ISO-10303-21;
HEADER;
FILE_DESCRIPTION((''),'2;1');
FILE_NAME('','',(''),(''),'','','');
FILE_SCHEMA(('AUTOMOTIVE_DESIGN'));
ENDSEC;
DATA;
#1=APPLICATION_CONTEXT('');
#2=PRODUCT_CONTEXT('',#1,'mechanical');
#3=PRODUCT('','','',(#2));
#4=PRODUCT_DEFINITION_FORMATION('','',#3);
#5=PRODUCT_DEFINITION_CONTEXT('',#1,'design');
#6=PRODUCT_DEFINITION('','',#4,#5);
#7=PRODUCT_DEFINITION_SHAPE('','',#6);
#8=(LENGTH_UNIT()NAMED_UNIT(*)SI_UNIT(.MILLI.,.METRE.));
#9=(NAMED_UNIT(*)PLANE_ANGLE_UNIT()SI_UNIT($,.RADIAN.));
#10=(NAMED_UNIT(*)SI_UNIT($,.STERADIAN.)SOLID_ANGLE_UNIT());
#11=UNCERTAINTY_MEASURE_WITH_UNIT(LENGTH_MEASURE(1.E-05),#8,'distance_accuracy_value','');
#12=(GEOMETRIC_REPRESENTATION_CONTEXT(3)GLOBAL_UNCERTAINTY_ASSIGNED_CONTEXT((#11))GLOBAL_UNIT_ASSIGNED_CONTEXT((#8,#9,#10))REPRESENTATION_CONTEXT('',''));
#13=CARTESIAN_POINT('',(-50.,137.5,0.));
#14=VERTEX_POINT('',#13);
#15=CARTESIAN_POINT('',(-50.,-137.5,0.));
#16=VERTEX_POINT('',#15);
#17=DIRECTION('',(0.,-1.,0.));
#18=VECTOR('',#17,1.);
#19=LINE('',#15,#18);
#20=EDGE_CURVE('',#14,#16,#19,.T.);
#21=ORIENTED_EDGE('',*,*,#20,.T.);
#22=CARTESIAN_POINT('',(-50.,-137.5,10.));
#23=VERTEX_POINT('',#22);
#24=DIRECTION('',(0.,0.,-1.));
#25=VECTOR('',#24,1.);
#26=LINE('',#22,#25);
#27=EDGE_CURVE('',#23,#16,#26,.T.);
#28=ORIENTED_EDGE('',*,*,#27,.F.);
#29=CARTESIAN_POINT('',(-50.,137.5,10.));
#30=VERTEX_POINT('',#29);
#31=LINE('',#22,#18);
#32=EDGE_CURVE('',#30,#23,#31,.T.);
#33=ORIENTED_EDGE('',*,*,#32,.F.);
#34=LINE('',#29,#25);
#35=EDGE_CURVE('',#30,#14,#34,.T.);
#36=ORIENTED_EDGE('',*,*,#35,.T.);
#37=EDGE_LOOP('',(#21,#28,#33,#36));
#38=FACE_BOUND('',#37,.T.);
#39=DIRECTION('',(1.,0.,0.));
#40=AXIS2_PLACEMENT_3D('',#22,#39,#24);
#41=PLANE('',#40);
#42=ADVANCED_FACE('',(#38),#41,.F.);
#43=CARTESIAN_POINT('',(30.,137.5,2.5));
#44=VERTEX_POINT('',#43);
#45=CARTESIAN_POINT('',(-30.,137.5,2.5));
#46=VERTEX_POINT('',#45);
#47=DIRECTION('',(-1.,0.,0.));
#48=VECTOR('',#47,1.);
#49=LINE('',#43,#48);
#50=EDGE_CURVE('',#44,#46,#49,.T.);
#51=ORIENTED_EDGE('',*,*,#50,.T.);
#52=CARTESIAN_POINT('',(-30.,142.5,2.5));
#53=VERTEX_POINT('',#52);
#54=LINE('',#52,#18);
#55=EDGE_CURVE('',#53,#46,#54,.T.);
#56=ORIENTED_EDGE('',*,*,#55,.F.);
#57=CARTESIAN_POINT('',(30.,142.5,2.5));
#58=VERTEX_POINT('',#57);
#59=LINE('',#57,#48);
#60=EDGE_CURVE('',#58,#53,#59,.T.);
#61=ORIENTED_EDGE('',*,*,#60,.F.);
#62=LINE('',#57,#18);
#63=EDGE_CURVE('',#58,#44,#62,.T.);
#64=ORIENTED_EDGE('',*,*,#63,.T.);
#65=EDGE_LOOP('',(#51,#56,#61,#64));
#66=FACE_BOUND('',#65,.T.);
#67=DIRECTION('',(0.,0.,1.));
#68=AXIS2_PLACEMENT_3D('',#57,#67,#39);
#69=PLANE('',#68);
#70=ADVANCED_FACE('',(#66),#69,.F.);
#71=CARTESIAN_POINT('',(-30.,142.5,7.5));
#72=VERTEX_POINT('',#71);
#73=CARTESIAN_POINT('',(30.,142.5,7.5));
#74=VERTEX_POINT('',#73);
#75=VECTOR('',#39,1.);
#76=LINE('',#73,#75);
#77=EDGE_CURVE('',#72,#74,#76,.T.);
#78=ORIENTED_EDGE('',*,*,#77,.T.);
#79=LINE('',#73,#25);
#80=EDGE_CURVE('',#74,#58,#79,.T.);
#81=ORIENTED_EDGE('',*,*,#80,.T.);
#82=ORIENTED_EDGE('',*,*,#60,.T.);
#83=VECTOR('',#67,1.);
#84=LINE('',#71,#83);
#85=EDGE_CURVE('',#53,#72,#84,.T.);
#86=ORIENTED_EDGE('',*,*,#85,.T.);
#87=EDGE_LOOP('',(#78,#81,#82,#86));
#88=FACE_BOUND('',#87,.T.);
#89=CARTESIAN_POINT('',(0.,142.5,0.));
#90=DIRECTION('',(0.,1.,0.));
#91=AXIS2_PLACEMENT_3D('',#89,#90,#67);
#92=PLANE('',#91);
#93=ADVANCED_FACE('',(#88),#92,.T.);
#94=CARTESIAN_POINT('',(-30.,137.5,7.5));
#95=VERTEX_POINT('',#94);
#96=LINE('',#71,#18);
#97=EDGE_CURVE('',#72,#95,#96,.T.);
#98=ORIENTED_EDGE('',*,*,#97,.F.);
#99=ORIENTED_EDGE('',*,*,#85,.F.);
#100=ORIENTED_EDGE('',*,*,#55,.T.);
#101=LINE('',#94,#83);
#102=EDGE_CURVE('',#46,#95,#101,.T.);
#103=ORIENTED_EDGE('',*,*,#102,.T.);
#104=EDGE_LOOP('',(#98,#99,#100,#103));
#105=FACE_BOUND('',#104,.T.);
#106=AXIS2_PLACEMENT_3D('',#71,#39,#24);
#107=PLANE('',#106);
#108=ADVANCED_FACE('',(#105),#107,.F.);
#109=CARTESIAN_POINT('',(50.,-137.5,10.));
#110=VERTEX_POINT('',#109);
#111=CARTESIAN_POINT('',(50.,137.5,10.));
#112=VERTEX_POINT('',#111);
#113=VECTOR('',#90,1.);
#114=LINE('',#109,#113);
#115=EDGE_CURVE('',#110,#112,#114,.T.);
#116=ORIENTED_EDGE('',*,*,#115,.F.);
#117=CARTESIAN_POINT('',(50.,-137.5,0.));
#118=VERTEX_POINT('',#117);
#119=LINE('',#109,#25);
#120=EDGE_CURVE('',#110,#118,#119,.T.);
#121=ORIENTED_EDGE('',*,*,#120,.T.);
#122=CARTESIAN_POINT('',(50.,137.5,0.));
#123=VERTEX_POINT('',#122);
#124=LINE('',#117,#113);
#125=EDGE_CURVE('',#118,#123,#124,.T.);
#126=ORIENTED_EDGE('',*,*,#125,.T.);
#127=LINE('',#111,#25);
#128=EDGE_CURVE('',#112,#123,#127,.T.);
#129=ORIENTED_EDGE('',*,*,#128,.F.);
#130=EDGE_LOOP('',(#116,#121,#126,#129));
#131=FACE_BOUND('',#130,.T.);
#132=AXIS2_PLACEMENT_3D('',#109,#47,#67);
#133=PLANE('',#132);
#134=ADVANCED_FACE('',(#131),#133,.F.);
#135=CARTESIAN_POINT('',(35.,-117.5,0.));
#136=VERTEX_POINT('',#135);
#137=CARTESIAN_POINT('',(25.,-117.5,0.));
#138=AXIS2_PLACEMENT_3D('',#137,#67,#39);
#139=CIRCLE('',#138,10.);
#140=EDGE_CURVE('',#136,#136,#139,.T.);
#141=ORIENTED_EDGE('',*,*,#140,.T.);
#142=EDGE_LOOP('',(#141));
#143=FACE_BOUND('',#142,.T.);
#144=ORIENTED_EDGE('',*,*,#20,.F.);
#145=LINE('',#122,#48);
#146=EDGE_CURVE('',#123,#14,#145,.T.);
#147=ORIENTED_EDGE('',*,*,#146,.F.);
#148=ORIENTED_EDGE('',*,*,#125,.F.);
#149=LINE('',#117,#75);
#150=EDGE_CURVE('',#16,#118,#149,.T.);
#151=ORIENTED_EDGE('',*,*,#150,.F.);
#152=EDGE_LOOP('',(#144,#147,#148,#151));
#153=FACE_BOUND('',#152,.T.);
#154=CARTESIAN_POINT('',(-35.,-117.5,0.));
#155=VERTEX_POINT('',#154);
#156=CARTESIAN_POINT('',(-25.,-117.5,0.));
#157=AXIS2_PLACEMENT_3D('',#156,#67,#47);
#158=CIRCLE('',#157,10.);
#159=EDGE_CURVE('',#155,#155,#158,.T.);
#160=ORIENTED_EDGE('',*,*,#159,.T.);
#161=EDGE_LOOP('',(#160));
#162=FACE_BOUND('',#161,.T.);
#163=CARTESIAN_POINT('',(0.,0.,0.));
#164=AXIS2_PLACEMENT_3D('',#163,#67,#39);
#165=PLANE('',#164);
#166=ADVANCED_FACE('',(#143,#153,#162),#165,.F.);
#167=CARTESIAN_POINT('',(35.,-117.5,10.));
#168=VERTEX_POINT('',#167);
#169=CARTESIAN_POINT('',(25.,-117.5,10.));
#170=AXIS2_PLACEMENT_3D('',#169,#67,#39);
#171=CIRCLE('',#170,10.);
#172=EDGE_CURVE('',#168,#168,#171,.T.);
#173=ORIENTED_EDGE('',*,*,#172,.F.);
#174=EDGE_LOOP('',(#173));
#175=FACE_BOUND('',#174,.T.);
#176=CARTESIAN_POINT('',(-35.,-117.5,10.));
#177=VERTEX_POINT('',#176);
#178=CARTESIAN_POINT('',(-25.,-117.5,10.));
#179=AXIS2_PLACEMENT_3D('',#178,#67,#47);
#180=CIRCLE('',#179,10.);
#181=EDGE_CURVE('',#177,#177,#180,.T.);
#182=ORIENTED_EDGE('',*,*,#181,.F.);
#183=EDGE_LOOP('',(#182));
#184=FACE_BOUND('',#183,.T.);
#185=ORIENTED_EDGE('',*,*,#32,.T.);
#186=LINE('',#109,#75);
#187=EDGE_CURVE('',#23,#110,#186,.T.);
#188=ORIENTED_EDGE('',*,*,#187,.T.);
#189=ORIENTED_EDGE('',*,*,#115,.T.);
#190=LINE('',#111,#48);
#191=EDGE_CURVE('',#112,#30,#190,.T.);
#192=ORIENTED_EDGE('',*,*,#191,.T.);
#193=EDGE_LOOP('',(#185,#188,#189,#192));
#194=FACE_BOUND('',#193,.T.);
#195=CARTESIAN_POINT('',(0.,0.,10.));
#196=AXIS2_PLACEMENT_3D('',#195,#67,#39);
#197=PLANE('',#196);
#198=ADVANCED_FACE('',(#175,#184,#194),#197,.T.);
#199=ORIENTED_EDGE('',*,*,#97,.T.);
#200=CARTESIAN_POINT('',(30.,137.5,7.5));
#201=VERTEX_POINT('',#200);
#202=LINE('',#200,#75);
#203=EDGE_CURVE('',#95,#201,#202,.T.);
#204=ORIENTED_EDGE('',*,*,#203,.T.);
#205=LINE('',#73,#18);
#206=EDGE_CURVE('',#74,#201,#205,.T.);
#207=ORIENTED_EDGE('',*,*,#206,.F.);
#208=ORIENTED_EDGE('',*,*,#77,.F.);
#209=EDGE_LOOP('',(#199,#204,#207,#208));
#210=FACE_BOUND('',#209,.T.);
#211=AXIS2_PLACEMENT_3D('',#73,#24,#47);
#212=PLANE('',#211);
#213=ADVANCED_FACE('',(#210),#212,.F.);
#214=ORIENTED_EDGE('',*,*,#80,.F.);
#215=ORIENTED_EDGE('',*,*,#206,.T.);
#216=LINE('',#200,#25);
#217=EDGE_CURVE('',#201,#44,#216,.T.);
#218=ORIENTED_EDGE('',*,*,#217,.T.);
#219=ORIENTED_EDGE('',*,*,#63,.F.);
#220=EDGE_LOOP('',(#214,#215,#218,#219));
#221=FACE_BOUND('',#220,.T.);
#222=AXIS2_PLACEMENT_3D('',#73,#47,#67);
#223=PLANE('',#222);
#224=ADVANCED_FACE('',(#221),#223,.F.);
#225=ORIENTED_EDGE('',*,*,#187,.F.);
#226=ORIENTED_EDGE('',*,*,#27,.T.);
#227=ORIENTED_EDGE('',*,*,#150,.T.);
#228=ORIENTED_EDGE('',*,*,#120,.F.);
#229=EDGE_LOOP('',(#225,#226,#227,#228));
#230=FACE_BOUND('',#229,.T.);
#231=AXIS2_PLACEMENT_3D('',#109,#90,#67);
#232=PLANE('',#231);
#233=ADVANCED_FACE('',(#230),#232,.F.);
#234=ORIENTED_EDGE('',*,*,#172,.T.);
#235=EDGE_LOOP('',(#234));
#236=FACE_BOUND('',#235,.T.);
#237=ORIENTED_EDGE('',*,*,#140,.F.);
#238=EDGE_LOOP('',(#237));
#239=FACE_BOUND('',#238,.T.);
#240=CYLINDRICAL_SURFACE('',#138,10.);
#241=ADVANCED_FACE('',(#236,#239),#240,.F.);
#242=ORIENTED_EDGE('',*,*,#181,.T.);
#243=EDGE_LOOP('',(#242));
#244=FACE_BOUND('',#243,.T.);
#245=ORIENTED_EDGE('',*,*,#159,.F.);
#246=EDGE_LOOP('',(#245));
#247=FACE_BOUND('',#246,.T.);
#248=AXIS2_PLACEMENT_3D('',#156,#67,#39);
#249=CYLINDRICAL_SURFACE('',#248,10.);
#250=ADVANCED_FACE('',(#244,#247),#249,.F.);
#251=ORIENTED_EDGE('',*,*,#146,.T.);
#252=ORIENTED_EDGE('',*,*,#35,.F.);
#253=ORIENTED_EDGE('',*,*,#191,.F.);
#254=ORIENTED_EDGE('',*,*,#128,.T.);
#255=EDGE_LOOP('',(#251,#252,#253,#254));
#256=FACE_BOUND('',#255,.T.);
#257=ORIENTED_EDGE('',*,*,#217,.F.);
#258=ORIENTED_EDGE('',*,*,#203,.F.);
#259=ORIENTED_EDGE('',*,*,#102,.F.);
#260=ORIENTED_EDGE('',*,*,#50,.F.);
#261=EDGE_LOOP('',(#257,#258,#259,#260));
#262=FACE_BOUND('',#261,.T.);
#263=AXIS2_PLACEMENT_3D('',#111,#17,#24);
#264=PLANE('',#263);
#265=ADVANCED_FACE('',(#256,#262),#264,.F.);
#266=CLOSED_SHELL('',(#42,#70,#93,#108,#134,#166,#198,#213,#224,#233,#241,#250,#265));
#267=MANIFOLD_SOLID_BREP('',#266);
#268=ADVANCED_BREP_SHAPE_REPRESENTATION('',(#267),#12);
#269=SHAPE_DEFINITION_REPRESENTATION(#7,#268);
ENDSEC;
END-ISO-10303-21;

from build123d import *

# Parameters (mm, degrees)
SKETCH1_W           = 100
SKETCH1_H           = 275
BOSS_EXTRUDE1_DEPTH = 10
SKETCH2_W           = 60
SKETCH2_H           = 5
BOSS_EXTRUDE2_DEPTH = 5
SKETCH3_R           = 10
CUT_EXTRUDE1_DEPTH  = 152.348108677


with BuildPart() as part:
    # Sketch1 → Boss-Extrude1 (new body)
    with BuildSketch(Plane.XY):
        Rectangle(SKETCH1_W, SKETCH1_H)
    extrude(amount=BOSS_EXTRUDE1_DEPTH)

    # Sketch2 → Boss-Extrude2 (add)
    with BuildSketch(Plane(origin=(0, 137.5, 0), x_dir=(1, 0, 0), z_dir=(0, 1, 0))):
        with Locations((0, -5)):
            Rectangle(SKETCH2_W, SKETCH2_H)
    extrude(amount=BOSS_EXTRUDE2_DEPTH)

    # Sketch3 → Cut-Extrude1 (cut, through all)
    with BuildSketch(Plane.XY.offset(10)):
        with Locations((25, -117.5)):
            Circle(SKETCH3_R)
        with Locations(Location((-25, -117.5, 0), (0, 0, 180))):
            Circle(SKETCH3_R)
    extrude(amount=-CUT_EXTRUDE1_DEPTH, mode=Mode.SUBTRACT)


solid = part.part
